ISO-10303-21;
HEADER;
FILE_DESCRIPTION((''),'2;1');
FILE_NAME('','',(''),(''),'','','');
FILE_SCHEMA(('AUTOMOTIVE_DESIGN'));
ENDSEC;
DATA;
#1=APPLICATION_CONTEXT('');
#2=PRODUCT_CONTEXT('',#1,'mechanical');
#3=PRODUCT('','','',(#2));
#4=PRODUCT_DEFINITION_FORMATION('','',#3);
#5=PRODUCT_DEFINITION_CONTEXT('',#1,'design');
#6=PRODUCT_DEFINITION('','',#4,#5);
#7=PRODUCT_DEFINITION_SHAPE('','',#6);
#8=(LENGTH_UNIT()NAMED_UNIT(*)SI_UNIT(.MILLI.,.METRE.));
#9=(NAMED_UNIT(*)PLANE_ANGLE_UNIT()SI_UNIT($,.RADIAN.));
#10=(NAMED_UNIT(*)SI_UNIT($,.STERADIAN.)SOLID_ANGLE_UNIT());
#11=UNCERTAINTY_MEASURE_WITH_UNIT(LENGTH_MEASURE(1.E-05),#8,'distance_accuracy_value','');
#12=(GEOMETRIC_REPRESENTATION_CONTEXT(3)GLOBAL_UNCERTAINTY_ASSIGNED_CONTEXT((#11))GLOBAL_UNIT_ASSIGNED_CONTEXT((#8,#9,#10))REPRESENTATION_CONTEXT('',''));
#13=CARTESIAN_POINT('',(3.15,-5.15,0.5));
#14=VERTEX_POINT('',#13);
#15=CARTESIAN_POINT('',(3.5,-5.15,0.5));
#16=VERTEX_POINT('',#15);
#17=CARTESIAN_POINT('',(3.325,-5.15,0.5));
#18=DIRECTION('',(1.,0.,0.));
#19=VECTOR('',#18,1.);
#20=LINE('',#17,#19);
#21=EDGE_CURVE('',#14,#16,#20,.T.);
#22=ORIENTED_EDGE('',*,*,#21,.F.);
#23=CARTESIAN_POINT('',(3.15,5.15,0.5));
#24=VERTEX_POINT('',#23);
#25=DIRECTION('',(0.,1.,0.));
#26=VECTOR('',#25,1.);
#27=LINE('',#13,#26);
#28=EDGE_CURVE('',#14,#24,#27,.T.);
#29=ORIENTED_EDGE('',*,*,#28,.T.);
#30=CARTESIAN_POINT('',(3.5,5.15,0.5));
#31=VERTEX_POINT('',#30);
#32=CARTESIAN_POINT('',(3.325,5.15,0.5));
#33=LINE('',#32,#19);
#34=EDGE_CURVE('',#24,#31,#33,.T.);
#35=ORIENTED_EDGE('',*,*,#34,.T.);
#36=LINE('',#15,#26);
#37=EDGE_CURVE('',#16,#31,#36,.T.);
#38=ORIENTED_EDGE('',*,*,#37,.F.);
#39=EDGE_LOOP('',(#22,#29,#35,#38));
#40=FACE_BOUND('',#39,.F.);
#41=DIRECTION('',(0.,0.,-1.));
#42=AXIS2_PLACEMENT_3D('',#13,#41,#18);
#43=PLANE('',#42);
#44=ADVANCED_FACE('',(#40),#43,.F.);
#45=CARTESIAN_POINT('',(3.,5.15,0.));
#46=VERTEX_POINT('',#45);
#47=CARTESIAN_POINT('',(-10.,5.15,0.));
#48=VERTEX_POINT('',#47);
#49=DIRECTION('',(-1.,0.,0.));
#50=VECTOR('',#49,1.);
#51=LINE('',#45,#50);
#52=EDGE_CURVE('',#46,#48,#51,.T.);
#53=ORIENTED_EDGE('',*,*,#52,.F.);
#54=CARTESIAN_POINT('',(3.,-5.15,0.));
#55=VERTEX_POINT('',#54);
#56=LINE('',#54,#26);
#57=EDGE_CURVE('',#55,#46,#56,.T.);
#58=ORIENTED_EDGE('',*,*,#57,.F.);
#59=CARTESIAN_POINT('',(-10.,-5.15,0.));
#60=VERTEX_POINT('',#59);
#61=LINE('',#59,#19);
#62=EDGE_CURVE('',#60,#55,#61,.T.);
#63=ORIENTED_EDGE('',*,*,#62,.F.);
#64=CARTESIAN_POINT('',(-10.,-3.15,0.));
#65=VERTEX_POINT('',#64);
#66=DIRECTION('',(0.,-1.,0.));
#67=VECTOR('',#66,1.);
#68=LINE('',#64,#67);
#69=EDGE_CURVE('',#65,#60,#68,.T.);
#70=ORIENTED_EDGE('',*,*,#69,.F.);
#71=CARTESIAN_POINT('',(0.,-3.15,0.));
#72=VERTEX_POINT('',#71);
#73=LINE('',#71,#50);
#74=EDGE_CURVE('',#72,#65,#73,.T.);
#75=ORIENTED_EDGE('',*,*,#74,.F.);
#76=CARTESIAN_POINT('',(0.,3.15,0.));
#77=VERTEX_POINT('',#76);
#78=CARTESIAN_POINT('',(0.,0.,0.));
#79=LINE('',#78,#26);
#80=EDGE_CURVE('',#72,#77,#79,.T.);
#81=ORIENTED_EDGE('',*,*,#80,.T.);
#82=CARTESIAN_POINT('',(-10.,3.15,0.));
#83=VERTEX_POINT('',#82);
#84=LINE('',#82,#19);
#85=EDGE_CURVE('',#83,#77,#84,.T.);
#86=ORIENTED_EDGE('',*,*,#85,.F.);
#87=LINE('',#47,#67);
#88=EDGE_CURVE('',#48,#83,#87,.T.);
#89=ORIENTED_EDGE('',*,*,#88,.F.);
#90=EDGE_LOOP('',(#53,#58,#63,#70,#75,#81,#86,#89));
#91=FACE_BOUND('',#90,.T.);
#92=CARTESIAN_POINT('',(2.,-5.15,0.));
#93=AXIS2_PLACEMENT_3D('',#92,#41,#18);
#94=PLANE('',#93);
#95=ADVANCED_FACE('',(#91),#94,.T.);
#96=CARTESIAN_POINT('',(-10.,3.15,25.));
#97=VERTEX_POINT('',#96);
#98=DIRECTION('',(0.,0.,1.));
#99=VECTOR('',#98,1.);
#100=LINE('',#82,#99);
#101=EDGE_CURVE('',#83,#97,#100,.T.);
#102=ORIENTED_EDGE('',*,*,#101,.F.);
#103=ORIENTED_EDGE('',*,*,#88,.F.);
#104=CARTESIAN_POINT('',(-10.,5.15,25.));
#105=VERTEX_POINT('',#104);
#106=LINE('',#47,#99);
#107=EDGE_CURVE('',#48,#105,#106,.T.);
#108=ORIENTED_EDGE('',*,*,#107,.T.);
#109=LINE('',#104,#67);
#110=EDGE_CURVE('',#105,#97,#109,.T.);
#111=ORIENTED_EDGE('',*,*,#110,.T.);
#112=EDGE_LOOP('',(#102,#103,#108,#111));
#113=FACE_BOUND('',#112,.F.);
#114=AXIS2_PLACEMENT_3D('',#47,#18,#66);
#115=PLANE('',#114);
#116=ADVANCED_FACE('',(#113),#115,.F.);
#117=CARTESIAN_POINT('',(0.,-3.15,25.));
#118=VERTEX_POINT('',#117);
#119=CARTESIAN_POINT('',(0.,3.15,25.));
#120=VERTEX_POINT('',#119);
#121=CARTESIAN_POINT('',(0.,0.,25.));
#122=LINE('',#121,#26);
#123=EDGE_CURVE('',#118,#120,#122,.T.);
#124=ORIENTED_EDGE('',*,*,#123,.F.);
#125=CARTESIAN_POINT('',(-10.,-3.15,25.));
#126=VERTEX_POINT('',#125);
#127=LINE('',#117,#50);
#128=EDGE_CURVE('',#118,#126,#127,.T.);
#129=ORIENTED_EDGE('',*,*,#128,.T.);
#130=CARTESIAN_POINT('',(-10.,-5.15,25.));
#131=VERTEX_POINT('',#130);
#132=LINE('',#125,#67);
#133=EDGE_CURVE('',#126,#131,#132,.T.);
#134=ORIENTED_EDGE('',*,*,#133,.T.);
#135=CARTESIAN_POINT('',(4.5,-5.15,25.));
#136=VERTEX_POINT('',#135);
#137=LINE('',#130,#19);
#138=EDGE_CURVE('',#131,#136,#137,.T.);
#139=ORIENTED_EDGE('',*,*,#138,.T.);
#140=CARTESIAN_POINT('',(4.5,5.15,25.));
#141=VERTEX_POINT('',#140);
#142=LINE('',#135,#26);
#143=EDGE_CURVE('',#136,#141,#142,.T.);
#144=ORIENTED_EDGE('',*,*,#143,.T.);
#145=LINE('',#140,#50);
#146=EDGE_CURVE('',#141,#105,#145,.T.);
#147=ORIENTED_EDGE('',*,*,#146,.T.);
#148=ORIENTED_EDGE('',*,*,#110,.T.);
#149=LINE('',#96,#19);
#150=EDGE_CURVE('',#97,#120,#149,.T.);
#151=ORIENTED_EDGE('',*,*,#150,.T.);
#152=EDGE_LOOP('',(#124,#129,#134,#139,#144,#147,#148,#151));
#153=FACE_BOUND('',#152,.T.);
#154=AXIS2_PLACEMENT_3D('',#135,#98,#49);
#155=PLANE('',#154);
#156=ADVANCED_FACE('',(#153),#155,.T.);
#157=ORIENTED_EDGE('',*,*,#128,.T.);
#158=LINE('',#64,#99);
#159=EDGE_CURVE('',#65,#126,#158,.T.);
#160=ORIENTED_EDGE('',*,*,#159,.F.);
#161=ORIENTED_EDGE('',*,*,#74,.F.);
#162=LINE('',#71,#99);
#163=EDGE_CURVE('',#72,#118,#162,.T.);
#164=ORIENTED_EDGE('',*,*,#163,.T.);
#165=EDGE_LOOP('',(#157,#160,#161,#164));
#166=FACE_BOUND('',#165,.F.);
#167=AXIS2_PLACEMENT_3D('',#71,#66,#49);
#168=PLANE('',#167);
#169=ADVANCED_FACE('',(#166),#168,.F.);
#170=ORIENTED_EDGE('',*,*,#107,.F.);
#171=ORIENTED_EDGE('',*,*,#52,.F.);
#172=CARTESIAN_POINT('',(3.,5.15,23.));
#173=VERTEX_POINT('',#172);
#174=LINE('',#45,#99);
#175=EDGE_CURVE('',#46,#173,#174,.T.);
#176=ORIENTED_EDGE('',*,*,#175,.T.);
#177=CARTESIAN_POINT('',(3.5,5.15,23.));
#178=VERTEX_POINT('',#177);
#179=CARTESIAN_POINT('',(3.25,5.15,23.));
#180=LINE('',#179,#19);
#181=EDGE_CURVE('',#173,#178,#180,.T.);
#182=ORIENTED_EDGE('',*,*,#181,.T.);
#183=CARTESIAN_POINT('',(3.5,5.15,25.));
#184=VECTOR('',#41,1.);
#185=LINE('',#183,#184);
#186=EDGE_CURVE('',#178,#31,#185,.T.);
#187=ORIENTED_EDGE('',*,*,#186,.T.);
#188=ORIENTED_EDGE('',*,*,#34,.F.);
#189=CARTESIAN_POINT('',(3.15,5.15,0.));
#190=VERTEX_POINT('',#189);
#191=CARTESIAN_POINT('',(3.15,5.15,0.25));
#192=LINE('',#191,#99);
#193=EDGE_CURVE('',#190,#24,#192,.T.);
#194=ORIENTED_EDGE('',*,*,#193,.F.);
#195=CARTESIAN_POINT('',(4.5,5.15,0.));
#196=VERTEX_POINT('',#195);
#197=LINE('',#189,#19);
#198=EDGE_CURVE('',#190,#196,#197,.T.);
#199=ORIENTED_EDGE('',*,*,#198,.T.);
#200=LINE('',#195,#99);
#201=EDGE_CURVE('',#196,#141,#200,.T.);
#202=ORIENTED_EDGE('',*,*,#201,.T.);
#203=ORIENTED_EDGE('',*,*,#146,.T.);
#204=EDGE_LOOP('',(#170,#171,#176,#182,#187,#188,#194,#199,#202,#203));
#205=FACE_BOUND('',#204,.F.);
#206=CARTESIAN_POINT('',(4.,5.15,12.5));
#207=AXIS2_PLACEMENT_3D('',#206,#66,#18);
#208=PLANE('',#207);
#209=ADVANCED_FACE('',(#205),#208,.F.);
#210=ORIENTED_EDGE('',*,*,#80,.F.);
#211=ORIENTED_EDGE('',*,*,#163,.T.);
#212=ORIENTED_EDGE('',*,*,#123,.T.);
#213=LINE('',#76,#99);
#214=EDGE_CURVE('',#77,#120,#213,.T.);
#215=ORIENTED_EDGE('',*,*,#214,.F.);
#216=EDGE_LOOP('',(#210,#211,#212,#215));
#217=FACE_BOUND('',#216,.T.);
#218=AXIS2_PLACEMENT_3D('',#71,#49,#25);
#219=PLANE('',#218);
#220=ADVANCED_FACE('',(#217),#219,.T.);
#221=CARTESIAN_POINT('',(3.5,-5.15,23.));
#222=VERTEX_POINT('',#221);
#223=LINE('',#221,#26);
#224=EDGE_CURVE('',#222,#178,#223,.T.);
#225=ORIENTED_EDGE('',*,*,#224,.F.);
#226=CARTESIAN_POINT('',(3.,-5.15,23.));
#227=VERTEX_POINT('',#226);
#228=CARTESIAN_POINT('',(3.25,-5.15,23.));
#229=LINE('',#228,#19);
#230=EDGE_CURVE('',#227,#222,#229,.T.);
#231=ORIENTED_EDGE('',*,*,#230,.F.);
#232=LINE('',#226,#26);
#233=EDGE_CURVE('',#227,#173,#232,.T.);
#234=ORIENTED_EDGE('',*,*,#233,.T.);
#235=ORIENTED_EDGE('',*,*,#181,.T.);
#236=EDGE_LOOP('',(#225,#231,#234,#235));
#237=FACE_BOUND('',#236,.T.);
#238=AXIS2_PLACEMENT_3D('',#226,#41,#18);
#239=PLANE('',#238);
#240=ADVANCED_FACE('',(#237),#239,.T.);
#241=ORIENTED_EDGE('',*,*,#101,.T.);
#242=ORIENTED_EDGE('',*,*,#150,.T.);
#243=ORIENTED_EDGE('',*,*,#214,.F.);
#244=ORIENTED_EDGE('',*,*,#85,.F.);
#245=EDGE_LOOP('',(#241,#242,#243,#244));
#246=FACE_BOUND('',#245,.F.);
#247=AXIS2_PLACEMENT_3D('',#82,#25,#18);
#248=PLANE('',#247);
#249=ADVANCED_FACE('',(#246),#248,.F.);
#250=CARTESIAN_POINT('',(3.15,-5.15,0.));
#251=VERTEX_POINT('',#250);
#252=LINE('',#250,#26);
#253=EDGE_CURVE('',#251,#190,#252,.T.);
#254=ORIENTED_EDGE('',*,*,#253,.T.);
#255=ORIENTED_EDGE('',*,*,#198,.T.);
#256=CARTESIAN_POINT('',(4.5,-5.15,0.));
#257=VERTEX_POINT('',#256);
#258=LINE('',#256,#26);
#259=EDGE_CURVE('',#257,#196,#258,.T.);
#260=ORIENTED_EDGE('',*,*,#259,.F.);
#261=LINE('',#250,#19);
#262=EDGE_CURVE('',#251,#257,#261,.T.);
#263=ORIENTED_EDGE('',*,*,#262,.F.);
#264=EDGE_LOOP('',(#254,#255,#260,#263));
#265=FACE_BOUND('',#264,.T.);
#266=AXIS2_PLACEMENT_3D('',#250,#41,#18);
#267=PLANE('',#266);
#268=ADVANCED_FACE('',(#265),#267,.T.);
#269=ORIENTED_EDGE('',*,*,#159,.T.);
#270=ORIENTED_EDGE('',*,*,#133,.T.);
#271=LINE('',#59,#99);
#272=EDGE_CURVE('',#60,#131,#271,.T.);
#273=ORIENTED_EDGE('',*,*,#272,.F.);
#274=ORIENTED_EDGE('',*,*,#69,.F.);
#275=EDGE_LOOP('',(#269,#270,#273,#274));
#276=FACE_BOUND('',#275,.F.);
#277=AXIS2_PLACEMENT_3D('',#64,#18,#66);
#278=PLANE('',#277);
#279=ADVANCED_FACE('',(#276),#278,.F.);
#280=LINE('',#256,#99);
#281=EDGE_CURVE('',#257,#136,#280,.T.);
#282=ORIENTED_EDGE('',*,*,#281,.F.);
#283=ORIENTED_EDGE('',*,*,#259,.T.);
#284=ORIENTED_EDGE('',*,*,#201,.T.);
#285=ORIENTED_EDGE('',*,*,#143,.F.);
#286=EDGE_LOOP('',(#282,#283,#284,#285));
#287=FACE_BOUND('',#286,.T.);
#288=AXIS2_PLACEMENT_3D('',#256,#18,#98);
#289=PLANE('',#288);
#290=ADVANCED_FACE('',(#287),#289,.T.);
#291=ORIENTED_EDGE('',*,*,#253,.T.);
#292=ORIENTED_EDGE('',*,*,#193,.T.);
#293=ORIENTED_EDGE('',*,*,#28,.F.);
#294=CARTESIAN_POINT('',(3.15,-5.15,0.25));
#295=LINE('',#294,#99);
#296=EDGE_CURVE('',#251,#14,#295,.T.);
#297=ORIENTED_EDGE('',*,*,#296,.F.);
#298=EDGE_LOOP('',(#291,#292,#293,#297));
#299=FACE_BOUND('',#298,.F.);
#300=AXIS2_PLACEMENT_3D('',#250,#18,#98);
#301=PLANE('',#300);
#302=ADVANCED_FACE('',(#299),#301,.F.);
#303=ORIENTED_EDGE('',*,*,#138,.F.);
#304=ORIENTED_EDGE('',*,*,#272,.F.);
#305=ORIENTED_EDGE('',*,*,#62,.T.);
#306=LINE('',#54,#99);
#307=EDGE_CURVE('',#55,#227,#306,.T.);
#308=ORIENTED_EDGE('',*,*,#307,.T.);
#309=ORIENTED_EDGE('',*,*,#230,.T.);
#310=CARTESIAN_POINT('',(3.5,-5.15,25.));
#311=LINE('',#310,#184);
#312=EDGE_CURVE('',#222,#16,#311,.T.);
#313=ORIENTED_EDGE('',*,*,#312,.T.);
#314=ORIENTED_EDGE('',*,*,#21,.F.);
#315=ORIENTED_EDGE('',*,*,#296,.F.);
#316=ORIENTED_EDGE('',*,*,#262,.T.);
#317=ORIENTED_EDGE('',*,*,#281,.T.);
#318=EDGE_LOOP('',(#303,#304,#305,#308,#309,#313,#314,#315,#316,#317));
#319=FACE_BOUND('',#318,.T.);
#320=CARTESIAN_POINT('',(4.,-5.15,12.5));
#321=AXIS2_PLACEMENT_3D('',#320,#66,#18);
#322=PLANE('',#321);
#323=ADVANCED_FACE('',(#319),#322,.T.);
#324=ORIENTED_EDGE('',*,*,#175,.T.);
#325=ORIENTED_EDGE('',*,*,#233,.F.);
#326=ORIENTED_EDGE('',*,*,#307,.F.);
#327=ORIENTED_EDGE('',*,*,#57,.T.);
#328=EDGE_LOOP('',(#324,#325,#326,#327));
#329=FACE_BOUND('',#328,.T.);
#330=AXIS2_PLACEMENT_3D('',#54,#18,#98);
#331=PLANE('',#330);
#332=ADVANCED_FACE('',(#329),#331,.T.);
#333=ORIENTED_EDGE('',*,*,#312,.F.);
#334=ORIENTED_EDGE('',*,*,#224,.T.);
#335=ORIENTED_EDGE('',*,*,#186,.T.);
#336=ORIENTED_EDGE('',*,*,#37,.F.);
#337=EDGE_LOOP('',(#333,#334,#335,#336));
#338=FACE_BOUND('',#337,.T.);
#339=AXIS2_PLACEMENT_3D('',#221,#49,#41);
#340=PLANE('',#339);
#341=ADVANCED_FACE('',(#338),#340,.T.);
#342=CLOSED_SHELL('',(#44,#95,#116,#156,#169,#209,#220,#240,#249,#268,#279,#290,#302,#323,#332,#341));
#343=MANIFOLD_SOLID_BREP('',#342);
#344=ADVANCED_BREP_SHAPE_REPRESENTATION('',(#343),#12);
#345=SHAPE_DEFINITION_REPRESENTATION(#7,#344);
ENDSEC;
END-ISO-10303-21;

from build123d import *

# Parameters (mm, degrees)
F0_W     = 2
F0_H     = 6.3
F1_DEPTH = 25
F2_W     = 0.5
F2_H     = 2
F2_W_2   = 0.35
F2_H_2   = 0.5
F3_DEPTH = 10.3


with BuildPart() as f1:
    # F0 (on Top) → F1 (new body)
    with BuildSketch(Plane.XY):
        Polygon((2, 5.15), (-10, 5.15), (-10, 3.15), (0, 3.15), (2, 3.15), align=None)
        with Locations((1, 0)):
            Rectangle(F0_W, F0_H)
        Polygon((2, -5.15), (2, -3.15), (0, -3.15), (-10, -3.15), (-10, -5.15), align=None)
    extrude(amount=F1_DEPTH)

    # F2 (on face) → F3 (join)
    with BuildSketch(Plane.XZ.offset(5.15)):
        Polygon((4.5, 25), (3.5, 25), (3.5, 23), (3.5, 0.5), (3.5, 0), (4.5, 0), align=None)
        Polygon((3, 25), (2, 25), (2, 0), (3, 0), (3, 23), align=None)
        with Locations((3.25, 24)):
            Rectangle(F2_W, F2_H)
        with Locations((3.325, 0.25)):
            Rectangle(F2_W_2, F2_H_2)
    extrude(amount=-F3_DEPTH)


solid = f1.part
